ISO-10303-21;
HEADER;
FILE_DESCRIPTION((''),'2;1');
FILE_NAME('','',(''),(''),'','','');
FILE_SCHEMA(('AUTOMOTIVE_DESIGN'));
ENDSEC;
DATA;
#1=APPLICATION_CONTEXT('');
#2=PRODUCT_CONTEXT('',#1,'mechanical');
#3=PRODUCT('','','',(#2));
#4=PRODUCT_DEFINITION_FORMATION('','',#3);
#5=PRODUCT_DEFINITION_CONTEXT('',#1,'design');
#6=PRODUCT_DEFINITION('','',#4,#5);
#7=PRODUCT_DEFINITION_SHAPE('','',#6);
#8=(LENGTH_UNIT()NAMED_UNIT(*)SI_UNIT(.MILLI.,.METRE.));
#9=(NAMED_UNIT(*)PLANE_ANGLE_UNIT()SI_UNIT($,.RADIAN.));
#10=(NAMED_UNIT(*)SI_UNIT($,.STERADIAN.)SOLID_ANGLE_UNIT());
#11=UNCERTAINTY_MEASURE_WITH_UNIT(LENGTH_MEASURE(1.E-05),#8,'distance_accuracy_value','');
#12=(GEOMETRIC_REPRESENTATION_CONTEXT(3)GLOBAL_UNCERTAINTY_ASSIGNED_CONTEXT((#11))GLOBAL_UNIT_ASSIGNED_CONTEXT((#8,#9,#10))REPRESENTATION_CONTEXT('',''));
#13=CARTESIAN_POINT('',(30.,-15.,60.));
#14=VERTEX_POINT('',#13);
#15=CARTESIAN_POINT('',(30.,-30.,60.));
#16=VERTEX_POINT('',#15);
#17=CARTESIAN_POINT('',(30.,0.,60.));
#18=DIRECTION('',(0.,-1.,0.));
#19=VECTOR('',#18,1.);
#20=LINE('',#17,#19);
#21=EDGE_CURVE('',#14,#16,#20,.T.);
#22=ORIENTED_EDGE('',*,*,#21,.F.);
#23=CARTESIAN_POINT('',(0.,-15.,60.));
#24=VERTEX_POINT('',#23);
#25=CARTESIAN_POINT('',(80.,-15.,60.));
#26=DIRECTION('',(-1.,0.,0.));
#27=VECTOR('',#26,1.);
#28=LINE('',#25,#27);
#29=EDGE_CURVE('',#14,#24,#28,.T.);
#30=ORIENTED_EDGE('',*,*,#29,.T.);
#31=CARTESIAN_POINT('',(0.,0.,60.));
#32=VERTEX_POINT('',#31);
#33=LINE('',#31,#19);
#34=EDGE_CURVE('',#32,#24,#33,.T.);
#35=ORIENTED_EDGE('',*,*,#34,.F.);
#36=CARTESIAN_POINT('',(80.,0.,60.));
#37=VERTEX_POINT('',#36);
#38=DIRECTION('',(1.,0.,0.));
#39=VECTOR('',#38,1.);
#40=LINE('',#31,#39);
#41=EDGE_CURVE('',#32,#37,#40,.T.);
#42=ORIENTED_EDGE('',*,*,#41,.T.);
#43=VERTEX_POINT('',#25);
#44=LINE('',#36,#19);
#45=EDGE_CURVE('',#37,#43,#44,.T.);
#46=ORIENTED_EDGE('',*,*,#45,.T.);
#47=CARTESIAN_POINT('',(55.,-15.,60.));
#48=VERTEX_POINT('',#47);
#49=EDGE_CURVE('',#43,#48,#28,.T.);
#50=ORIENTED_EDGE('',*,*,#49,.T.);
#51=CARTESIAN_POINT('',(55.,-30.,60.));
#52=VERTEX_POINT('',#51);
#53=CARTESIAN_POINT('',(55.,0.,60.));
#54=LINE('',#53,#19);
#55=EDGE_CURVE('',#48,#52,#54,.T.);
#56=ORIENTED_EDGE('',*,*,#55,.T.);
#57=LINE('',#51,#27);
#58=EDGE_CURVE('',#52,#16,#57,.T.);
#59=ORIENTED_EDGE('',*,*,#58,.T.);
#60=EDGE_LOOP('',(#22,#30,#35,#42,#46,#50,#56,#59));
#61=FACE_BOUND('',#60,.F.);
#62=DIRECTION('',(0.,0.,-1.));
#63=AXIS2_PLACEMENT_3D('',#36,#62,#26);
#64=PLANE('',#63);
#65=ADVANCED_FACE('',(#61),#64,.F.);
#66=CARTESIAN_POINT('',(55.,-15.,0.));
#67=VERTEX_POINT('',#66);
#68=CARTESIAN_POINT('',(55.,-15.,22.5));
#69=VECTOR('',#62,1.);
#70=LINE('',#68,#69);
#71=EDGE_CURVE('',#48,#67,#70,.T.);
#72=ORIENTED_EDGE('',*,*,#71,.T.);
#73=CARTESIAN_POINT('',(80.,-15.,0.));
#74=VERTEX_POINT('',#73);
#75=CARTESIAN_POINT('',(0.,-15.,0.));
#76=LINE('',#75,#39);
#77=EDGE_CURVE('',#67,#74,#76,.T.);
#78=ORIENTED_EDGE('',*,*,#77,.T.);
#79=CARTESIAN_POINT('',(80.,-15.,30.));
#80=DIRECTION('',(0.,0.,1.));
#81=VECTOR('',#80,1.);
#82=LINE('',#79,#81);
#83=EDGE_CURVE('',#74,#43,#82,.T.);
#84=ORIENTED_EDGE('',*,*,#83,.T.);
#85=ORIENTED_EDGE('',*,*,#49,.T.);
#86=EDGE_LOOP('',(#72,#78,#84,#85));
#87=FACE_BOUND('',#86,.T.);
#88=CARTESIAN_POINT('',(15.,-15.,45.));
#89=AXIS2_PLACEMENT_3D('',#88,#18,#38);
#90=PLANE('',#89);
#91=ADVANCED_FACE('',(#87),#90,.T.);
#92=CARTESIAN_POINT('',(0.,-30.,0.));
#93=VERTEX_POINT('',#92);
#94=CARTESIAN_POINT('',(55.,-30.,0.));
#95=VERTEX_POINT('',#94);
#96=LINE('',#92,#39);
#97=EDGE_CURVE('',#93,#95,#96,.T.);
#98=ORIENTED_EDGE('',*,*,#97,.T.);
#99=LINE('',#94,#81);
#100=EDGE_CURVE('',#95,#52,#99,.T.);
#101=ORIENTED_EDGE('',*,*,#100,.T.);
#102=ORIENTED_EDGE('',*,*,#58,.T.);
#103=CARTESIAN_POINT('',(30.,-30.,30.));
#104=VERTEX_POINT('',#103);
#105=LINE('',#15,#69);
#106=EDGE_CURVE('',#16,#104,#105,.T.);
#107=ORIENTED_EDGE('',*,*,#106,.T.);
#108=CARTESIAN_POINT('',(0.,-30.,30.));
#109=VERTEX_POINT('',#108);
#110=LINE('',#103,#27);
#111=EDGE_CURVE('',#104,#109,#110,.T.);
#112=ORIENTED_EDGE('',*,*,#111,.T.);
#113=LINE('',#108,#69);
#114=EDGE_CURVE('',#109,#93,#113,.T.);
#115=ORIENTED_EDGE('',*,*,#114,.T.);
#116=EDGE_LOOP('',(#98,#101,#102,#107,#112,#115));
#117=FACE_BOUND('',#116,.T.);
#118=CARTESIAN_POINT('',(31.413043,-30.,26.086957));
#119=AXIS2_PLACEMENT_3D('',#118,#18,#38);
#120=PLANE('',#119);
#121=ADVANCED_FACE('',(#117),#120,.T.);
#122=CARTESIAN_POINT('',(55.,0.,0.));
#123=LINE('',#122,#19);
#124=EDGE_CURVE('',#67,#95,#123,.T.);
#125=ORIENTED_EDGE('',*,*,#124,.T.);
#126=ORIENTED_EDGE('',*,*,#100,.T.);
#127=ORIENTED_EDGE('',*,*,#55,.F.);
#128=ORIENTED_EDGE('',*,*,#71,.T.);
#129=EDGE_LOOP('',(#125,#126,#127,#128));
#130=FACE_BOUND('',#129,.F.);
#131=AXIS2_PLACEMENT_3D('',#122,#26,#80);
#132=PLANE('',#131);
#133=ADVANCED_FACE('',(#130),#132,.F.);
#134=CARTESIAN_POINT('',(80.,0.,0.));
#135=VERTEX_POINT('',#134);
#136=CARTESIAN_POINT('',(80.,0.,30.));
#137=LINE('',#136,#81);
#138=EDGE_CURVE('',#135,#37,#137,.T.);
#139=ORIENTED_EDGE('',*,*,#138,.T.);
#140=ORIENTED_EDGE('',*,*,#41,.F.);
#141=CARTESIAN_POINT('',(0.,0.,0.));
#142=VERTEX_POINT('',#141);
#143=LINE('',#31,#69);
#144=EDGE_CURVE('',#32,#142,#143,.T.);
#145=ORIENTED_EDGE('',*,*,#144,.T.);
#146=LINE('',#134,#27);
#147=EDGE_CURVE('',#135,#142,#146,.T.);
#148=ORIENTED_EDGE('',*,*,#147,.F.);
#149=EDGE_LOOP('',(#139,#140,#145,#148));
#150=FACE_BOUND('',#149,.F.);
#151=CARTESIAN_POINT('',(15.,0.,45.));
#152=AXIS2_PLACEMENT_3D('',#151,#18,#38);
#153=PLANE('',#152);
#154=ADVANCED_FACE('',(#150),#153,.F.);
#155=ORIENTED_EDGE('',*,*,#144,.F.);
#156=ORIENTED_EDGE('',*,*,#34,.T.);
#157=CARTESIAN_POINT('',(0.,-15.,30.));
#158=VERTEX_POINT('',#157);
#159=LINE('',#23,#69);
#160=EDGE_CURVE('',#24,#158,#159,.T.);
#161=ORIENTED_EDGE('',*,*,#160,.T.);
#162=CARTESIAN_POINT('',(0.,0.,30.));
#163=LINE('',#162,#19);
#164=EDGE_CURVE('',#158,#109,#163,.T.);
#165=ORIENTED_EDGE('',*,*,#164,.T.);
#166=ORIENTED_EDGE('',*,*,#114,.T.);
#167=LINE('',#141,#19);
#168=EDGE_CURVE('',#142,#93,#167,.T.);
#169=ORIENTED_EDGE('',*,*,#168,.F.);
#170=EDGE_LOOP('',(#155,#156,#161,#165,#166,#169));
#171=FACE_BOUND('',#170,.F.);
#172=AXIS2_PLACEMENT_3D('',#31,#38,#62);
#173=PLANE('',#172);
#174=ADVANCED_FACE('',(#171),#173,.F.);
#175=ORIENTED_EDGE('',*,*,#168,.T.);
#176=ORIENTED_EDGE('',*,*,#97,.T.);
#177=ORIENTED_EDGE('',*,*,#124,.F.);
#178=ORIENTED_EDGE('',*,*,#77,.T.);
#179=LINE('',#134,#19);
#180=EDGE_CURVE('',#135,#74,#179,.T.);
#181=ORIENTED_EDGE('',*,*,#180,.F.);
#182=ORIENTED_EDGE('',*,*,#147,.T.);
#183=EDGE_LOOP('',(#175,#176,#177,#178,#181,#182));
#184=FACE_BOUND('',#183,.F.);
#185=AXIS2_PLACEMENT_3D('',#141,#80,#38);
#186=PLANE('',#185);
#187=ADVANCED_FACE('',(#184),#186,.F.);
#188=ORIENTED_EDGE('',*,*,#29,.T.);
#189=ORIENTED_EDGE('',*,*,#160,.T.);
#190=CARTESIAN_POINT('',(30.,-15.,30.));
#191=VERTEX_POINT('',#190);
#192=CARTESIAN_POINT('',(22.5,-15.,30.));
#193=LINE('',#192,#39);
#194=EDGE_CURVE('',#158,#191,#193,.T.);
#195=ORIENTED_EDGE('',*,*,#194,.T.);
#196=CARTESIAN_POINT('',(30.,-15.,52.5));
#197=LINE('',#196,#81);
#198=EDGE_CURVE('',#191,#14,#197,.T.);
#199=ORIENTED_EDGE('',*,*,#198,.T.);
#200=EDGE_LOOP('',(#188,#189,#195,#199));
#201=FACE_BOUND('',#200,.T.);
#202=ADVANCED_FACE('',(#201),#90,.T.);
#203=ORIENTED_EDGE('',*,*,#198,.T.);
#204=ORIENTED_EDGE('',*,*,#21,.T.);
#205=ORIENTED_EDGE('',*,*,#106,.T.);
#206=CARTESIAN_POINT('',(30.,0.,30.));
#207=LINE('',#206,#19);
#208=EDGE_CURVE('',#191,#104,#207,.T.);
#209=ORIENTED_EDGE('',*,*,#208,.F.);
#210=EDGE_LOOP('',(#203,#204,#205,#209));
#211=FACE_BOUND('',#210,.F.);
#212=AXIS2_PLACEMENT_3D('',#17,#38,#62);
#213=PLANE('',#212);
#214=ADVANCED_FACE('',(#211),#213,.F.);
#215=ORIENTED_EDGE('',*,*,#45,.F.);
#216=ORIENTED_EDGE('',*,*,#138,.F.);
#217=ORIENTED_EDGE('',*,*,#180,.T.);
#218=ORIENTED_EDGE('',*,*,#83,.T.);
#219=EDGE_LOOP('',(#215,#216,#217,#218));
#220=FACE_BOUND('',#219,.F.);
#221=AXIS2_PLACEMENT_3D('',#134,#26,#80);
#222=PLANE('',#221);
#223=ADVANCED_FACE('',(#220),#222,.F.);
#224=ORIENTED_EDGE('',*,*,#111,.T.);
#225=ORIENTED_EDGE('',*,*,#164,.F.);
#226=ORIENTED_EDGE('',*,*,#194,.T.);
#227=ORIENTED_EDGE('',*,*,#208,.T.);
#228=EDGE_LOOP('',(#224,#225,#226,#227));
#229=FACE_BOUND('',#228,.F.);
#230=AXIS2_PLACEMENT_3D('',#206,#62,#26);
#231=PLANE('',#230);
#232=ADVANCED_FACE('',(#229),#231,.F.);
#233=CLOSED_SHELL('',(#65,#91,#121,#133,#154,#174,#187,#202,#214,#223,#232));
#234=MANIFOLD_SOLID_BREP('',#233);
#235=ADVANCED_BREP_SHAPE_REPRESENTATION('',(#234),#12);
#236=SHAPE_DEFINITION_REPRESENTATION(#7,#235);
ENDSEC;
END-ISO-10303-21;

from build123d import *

# Parameters (mm, degrees)
F0_W     = 30
F0_H     = 30
F0_W_2   = 25
F0_H_2   = 60
F1_DEPTH = 15
F2_DEPTH = 30


with BuildPart() as f1:
    # F0 (on Front) → F1 (new body)
    with BuildSketch(Plane.XZ):
        with Locations((15, 45)):
            Rectangle(F0_W, F0_H)
        Polygon((0, 30), (0, 0), (55, 0), (55, 60), (30, 60), (30, 30), align=None)
        with Locations((67.5, 30)):
            Rectangle(F0_W_2, F0_H_2)
    extrude(amount=F1_DEPTH)

    # F0 (on Front) → F2 (join)
    with BuildSketch(Plane.XZ):
        Polygon((0, 30), (0, 0), (55, 0), (55, 60), (30, 60), (30, 30), align=None)
    extrude(amount=F2_DEPTH)


solid = f1.part
